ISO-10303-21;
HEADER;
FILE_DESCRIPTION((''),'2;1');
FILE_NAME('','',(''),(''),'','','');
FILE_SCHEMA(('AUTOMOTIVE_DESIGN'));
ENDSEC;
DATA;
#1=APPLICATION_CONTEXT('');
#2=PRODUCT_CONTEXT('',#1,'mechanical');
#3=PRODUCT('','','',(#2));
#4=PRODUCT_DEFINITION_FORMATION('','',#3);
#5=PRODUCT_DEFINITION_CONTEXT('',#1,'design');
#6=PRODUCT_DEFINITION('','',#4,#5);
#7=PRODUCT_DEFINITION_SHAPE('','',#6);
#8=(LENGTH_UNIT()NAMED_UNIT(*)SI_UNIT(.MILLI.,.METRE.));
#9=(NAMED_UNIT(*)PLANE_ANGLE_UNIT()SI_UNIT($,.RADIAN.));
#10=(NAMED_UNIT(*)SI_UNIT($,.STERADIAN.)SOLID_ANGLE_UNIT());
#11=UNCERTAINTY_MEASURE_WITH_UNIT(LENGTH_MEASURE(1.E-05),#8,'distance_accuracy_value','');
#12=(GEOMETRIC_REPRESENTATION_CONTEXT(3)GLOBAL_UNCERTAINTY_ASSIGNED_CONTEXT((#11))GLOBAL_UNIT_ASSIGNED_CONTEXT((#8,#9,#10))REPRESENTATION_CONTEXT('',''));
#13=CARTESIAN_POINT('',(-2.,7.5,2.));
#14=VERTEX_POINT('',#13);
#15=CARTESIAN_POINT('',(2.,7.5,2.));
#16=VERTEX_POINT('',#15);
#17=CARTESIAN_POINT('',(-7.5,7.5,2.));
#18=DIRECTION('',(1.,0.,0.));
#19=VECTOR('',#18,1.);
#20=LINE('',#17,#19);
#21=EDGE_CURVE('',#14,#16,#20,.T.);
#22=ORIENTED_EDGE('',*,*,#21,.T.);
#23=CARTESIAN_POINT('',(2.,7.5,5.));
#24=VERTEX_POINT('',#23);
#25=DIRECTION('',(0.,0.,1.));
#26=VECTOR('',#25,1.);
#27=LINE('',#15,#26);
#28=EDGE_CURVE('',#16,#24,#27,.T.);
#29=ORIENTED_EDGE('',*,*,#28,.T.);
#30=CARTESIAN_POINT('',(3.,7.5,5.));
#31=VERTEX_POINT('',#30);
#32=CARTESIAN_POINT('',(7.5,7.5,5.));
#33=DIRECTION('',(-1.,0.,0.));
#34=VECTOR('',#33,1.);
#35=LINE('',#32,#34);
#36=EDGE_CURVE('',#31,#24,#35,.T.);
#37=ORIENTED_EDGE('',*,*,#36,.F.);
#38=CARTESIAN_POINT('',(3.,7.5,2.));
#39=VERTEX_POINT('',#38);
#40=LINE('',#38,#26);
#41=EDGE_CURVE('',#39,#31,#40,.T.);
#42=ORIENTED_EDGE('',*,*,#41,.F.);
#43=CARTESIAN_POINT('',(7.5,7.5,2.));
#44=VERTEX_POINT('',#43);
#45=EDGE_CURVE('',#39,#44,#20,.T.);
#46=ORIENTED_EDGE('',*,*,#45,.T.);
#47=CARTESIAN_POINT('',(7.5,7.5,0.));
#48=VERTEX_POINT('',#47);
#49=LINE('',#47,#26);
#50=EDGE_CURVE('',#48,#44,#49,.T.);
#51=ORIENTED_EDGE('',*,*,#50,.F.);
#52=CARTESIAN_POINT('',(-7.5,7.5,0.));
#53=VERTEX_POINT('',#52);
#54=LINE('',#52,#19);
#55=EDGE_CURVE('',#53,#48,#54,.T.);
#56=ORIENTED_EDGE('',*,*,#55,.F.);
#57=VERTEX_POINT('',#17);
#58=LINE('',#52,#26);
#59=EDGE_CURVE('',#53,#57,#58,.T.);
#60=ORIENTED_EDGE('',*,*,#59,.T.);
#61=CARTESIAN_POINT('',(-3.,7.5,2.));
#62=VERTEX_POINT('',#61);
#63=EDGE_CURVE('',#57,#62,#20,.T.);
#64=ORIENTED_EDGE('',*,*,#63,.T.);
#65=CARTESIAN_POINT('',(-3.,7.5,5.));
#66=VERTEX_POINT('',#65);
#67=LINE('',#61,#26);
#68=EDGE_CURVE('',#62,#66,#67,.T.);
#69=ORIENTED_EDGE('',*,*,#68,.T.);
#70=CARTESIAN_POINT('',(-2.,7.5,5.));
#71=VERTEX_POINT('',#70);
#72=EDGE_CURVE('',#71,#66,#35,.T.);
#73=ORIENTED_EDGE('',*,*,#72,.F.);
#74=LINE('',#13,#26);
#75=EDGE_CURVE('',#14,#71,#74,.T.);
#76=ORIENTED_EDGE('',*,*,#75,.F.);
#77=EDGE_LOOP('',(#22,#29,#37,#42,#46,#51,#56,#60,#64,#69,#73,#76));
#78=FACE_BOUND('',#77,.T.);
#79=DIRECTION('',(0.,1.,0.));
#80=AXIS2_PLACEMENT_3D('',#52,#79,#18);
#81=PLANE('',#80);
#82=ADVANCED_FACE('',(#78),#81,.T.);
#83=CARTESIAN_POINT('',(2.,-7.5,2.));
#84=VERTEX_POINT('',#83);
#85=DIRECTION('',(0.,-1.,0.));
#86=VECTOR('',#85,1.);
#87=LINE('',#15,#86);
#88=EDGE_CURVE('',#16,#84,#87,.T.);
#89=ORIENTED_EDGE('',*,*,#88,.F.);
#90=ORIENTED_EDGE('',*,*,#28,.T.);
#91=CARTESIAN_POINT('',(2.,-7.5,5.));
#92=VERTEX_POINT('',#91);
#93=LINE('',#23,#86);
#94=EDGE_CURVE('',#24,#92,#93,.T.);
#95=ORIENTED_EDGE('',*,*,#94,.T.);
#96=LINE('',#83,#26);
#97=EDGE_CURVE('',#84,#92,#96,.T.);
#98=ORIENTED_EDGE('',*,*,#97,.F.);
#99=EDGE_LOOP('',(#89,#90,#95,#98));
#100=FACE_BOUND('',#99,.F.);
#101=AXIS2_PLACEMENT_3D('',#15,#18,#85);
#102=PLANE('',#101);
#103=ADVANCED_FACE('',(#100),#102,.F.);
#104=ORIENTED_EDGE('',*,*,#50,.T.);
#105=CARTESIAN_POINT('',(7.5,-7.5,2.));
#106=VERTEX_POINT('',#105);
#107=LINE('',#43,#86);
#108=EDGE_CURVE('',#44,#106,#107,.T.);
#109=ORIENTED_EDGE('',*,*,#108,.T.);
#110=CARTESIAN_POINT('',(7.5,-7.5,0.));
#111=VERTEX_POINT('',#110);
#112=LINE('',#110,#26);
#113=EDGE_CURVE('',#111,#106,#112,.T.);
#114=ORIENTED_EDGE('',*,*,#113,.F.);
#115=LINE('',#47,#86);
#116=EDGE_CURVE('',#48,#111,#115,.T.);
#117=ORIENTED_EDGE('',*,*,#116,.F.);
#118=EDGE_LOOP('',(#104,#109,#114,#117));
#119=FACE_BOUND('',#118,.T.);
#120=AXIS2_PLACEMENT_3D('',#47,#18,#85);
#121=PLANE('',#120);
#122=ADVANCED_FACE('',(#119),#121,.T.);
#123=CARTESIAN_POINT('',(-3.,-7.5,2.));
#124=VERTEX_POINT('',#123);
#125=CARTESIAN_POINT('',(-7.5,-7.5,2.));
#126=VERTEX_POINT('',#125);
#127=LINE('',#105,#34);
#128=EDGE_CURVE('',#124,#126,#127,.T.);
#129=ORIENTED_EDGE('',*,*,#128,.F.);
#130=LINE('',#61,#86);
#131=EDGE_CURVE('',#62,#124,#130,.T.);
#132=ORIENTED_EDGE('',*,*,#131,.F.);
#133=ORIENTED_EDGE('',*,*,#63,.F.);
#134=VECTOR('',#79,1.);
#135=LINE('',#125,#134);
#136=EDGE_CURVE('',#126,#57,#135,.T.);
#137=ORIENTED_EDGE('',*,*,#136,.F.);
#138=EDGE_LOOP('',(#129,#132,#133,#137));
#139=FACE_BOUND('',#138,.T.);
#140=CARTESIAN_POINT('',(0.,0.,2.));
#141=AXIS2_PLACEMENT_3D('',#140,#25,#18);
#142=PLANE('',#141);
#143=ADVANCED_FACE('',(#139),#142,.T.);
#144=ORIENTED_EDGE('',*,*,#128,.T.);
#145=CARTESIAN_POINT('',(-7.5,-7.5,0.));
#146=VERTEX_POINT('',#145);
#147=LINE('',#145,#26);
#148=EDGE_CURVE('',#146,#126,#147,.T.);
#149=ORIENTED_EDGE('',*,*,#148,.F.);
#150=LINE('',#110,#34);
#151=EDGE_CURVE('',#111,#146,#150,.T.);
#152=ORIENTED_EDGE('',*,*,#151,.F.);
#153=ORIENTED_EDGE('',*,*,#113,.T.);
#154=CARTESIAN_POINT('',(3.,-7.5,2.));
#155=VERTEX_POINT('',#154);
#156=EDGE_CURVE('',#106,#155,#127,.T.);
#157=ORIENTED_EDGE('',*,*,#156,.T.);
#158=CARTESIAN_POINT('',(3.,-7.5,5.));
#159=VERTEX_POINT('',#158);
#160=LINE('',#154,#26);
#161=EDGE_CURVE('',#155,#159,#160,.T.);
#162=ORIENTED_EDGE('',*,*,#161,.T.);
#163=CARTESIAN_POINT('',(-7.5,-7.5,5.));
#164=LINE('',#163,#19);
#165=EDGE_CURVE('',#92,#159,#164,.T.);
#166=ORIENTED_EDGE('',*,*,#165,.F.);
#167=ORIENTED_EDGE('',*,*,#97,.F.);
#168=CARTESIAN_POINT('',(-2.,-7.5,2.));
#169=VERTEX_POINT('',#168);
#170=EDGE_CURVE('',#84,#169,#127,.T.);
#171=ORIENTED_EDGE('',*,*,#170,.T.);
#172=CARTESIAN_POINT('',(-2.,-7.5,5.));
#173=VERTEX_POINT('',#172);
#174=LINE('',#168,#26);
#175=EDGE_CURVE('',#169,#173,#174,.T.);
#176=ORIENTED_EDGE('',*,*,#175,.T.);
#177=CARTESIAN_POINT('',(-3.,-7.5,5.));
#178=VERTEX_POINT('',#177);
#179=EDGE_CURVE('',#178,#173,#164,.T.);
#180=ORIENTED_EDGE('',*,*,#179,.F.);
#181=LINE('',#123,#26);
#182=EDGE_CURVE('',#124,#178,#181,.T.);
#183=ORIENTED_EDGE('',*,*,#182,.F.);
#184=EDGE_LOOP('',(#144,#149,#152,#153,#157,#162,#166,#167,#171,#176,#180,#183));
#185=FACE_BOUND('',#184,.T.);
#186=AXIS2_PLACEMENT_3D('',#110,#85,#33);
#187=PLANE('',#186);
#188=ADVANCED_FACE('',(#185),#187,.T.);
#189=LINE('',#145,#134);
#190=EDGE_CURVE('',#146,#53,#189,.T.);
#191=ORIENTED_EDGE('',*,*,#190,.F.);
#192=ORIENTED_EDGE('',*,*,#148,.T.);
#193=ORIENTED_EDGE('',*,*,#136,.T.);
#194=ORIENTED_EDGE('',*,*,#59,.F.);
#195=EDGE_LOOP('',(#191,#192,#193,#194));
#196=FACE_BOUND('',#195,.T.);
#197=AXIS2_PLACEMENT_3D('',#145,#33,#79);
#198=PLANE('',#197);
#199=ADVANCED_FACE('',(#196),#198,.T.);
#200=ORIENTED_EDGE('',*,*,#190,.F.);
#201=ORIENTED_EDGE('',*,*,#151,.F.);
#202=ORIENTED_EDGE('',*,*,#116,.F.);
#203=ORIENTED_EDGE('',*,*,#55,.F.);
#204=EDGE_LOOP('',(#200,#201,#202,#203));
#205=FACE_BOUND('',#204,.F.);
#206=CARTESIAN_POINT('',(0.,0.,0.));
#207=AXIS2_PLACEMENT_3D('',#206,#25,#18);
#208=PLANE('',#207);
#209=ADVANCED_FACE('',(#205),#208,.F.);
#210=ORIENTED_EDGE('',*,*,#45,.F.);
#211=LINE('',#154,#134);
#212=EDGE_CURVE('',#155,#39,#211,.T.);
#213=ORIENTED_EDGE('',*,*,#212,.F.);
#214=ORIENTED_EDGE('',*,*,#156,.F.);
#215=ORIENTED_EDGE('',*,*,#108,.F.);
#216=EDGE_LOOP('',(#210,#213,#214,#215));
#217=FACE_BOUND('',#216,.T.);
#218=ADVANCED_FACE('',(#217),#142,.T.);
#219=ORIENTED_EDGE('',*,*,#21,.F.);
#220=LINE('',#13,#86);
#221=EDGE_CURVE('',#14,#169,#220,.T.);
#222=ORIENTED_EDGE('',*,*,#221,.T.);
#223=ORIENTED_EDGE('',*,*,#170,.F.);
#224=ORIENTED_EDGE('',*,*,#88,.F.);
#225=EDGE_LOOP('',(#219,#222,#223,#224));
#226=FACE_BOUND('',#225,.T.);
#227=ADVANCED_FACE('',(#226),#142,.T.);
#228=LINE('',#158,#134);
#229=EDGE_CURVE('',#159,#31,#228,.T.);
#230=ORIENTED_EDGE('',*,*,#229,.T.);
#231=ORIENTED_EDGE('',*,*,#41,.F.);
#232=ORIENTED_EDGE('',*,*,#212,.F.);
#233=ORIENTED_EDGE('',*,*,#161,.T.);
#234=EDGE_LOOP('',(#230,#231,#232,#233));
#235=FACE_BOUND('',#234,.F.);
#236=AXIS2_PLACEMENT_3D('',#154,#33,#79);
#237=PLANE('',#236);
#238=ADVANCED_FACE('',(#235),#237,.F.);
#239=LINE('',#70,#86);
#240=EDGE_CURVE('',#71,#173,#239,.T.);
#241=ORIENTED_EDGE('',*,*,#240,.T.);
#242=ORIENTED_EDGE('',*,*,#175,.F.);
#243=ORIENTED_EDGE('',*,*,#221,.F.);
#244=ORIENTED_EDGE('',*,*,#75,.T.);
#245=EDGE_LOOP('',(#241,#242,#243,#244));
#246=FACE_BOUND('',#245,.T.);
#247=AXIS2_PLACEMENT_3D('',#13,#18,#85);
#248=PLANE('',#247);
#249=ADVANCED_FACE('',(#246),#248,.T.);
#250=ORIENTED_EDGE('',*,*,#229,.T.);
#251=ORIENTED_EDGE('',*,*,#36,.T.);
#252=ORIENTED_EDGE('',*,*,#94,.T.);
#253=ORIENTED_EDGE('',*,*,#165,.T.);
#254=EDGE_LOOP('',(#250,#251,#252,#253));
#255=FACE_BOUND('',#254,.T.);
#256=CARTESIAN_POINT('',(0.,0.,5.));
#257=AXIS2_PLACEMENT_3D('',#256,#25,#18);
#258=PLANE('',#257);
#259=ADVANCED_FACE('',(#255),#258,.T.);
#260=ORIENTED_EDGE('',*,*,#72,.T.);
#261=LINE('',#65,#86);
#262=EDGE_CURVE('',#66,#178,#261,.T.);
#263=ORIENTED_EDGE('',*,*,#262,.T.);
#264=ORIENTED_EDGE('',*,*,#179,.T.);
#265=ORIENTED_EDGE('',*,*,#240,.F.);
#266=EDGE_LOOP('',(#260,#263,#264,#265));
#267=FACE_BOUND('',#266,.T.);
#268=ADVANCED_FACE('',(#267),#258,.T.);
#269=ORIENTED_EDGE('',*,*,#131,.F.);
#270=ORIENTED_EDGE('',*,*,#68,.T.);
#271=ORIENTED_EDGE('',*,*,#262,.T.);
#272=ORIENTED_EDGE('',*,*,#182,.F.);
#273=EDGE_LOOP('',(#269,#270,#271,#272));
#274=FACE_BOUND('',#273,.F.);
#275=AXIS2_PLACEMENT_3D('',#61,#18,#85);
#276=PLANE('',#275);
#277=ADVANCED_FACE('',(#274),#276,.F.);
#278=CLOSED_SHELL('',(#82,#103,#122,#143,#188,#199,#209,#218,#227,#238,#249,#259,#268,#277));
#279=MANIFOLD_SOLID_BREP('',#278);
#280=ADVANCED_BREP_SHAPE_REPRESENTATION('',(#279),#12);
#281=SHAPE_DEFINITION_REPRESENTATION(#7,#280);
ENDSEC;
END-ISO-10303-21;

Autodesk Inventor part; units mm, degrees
ref_plane "YZ Plane" through (0, 0, 0) normal (1, 0, 0) x (0, 1, 0)
ref_plane "XZ Plane" through (0, 0, 0) normal (0, 1, 0) x (-1, 0, 0)
ref_plane "XY Plane" through (0, 0, 0) normal (0, 0, 1) x (1, 0, 0)
sketch "Sketch1" plane through (0, 0, 0) normal (0, 0, 1) x (1, 0, 0)
  line L0 (-7.5, 7.5) -> (7.5, 7.5)
  line L1 (7.5, 7.5) -> (7.5, -7.5)
  line L2 (7.5, -7.5) -> (-7.5, -7.5)
  line L3 (-7.5, -7.5) -> (-7.5, 7.5)
  line L4 (-7.5, 7.5) -> (7.5, -7.5) construction
  line L5 (7.5, 7.5) -> (-7.5, -7.5) construction
  point P0 (0, 0)
  dimension "d0" = 15
  dimension "d1" = 15
extrude "Extrusion1" add sketch "Sketch1" along normal blind 2
sketch "Sketch2" plane through (0, 0, 2) normal (0, 0, 1) x (1, 0, 0)
  line L0 (-7.5, -7.5) -> (7.5, -7.5) projected
  line L1 (1.5, 7.5) -> (1.5, -7.5) construction
  line L2 (-1.5, -7.5) -> (-1.5, 7.5) construction
  line L3 (1.5, 7.5) -> (2, 7.5) construction
  line L4 (2, 7.5) -> (2, -7.5)
  line L5 (2, -7.5) -> (1.5, -7.5)
  line L6 (1.5, -7.5) -> (1.5, 7.5)
  line L7 (7.5, -7.5) -> (-7.5, -7.5) projected
  line L8 (-1.5, 7.5) -> (-2, 7.5)
  line L9 (-2, 7.5) -> (-2, -7.5)
  line L10 (-2, -7.5) -> (-1.5, -7.5)
  line L11 (-1.5, -7.5) -> (-1.5, 7.5)
  line L12 (7.5, 7.5) -> (-7.5, 7.5) projected
  line L13 (2, -7.5) -> (3, -7.5)
  line L14 (3, -7.5) -> (3, 7.5)
  line L15 (3, 7.5) -> (2, 7.5)
  line L16 (-2, 7.5) -> (-3, 7.5)
  line L17 (-3, 7.5) -> (-3, -7.5)
  line L18 (-2, -7.5) -> (-3, -7.5)
  point P0 (0, 0)
  dimension "d4" = 0.5
  dimension "d5" = 0.5
  dimension "d8" = 1
  dimension "d9" = 1
extrude "Extrusion2" add sketch "Sketch2" along normal blind 3 contours L17 L12 L9 L0 | L4 L12 L14 L0
equation "\"d5\" = d4"
equation "\"d9\" = d8"
equation "\"BendRadius\" = Thickness"
equation "\"BendReliefWidth\" = Thickness"
equation "\"BendReliefDepth\" = 0.5 * Thickness"
equation "\"CornerReliefSize\" = 4 * Thickness"
equation "\"MinimumRemnant\" = 2 * Thickness"
equation "\"TransitionRadius\" = BendRadius"
equation "\"JacobiRadiusSize\" = Thickness"
equation "\"GapSize\" = Thickness"
equation "\"Thickness\" = 0.5"
properties part number "weight_holder_base"
